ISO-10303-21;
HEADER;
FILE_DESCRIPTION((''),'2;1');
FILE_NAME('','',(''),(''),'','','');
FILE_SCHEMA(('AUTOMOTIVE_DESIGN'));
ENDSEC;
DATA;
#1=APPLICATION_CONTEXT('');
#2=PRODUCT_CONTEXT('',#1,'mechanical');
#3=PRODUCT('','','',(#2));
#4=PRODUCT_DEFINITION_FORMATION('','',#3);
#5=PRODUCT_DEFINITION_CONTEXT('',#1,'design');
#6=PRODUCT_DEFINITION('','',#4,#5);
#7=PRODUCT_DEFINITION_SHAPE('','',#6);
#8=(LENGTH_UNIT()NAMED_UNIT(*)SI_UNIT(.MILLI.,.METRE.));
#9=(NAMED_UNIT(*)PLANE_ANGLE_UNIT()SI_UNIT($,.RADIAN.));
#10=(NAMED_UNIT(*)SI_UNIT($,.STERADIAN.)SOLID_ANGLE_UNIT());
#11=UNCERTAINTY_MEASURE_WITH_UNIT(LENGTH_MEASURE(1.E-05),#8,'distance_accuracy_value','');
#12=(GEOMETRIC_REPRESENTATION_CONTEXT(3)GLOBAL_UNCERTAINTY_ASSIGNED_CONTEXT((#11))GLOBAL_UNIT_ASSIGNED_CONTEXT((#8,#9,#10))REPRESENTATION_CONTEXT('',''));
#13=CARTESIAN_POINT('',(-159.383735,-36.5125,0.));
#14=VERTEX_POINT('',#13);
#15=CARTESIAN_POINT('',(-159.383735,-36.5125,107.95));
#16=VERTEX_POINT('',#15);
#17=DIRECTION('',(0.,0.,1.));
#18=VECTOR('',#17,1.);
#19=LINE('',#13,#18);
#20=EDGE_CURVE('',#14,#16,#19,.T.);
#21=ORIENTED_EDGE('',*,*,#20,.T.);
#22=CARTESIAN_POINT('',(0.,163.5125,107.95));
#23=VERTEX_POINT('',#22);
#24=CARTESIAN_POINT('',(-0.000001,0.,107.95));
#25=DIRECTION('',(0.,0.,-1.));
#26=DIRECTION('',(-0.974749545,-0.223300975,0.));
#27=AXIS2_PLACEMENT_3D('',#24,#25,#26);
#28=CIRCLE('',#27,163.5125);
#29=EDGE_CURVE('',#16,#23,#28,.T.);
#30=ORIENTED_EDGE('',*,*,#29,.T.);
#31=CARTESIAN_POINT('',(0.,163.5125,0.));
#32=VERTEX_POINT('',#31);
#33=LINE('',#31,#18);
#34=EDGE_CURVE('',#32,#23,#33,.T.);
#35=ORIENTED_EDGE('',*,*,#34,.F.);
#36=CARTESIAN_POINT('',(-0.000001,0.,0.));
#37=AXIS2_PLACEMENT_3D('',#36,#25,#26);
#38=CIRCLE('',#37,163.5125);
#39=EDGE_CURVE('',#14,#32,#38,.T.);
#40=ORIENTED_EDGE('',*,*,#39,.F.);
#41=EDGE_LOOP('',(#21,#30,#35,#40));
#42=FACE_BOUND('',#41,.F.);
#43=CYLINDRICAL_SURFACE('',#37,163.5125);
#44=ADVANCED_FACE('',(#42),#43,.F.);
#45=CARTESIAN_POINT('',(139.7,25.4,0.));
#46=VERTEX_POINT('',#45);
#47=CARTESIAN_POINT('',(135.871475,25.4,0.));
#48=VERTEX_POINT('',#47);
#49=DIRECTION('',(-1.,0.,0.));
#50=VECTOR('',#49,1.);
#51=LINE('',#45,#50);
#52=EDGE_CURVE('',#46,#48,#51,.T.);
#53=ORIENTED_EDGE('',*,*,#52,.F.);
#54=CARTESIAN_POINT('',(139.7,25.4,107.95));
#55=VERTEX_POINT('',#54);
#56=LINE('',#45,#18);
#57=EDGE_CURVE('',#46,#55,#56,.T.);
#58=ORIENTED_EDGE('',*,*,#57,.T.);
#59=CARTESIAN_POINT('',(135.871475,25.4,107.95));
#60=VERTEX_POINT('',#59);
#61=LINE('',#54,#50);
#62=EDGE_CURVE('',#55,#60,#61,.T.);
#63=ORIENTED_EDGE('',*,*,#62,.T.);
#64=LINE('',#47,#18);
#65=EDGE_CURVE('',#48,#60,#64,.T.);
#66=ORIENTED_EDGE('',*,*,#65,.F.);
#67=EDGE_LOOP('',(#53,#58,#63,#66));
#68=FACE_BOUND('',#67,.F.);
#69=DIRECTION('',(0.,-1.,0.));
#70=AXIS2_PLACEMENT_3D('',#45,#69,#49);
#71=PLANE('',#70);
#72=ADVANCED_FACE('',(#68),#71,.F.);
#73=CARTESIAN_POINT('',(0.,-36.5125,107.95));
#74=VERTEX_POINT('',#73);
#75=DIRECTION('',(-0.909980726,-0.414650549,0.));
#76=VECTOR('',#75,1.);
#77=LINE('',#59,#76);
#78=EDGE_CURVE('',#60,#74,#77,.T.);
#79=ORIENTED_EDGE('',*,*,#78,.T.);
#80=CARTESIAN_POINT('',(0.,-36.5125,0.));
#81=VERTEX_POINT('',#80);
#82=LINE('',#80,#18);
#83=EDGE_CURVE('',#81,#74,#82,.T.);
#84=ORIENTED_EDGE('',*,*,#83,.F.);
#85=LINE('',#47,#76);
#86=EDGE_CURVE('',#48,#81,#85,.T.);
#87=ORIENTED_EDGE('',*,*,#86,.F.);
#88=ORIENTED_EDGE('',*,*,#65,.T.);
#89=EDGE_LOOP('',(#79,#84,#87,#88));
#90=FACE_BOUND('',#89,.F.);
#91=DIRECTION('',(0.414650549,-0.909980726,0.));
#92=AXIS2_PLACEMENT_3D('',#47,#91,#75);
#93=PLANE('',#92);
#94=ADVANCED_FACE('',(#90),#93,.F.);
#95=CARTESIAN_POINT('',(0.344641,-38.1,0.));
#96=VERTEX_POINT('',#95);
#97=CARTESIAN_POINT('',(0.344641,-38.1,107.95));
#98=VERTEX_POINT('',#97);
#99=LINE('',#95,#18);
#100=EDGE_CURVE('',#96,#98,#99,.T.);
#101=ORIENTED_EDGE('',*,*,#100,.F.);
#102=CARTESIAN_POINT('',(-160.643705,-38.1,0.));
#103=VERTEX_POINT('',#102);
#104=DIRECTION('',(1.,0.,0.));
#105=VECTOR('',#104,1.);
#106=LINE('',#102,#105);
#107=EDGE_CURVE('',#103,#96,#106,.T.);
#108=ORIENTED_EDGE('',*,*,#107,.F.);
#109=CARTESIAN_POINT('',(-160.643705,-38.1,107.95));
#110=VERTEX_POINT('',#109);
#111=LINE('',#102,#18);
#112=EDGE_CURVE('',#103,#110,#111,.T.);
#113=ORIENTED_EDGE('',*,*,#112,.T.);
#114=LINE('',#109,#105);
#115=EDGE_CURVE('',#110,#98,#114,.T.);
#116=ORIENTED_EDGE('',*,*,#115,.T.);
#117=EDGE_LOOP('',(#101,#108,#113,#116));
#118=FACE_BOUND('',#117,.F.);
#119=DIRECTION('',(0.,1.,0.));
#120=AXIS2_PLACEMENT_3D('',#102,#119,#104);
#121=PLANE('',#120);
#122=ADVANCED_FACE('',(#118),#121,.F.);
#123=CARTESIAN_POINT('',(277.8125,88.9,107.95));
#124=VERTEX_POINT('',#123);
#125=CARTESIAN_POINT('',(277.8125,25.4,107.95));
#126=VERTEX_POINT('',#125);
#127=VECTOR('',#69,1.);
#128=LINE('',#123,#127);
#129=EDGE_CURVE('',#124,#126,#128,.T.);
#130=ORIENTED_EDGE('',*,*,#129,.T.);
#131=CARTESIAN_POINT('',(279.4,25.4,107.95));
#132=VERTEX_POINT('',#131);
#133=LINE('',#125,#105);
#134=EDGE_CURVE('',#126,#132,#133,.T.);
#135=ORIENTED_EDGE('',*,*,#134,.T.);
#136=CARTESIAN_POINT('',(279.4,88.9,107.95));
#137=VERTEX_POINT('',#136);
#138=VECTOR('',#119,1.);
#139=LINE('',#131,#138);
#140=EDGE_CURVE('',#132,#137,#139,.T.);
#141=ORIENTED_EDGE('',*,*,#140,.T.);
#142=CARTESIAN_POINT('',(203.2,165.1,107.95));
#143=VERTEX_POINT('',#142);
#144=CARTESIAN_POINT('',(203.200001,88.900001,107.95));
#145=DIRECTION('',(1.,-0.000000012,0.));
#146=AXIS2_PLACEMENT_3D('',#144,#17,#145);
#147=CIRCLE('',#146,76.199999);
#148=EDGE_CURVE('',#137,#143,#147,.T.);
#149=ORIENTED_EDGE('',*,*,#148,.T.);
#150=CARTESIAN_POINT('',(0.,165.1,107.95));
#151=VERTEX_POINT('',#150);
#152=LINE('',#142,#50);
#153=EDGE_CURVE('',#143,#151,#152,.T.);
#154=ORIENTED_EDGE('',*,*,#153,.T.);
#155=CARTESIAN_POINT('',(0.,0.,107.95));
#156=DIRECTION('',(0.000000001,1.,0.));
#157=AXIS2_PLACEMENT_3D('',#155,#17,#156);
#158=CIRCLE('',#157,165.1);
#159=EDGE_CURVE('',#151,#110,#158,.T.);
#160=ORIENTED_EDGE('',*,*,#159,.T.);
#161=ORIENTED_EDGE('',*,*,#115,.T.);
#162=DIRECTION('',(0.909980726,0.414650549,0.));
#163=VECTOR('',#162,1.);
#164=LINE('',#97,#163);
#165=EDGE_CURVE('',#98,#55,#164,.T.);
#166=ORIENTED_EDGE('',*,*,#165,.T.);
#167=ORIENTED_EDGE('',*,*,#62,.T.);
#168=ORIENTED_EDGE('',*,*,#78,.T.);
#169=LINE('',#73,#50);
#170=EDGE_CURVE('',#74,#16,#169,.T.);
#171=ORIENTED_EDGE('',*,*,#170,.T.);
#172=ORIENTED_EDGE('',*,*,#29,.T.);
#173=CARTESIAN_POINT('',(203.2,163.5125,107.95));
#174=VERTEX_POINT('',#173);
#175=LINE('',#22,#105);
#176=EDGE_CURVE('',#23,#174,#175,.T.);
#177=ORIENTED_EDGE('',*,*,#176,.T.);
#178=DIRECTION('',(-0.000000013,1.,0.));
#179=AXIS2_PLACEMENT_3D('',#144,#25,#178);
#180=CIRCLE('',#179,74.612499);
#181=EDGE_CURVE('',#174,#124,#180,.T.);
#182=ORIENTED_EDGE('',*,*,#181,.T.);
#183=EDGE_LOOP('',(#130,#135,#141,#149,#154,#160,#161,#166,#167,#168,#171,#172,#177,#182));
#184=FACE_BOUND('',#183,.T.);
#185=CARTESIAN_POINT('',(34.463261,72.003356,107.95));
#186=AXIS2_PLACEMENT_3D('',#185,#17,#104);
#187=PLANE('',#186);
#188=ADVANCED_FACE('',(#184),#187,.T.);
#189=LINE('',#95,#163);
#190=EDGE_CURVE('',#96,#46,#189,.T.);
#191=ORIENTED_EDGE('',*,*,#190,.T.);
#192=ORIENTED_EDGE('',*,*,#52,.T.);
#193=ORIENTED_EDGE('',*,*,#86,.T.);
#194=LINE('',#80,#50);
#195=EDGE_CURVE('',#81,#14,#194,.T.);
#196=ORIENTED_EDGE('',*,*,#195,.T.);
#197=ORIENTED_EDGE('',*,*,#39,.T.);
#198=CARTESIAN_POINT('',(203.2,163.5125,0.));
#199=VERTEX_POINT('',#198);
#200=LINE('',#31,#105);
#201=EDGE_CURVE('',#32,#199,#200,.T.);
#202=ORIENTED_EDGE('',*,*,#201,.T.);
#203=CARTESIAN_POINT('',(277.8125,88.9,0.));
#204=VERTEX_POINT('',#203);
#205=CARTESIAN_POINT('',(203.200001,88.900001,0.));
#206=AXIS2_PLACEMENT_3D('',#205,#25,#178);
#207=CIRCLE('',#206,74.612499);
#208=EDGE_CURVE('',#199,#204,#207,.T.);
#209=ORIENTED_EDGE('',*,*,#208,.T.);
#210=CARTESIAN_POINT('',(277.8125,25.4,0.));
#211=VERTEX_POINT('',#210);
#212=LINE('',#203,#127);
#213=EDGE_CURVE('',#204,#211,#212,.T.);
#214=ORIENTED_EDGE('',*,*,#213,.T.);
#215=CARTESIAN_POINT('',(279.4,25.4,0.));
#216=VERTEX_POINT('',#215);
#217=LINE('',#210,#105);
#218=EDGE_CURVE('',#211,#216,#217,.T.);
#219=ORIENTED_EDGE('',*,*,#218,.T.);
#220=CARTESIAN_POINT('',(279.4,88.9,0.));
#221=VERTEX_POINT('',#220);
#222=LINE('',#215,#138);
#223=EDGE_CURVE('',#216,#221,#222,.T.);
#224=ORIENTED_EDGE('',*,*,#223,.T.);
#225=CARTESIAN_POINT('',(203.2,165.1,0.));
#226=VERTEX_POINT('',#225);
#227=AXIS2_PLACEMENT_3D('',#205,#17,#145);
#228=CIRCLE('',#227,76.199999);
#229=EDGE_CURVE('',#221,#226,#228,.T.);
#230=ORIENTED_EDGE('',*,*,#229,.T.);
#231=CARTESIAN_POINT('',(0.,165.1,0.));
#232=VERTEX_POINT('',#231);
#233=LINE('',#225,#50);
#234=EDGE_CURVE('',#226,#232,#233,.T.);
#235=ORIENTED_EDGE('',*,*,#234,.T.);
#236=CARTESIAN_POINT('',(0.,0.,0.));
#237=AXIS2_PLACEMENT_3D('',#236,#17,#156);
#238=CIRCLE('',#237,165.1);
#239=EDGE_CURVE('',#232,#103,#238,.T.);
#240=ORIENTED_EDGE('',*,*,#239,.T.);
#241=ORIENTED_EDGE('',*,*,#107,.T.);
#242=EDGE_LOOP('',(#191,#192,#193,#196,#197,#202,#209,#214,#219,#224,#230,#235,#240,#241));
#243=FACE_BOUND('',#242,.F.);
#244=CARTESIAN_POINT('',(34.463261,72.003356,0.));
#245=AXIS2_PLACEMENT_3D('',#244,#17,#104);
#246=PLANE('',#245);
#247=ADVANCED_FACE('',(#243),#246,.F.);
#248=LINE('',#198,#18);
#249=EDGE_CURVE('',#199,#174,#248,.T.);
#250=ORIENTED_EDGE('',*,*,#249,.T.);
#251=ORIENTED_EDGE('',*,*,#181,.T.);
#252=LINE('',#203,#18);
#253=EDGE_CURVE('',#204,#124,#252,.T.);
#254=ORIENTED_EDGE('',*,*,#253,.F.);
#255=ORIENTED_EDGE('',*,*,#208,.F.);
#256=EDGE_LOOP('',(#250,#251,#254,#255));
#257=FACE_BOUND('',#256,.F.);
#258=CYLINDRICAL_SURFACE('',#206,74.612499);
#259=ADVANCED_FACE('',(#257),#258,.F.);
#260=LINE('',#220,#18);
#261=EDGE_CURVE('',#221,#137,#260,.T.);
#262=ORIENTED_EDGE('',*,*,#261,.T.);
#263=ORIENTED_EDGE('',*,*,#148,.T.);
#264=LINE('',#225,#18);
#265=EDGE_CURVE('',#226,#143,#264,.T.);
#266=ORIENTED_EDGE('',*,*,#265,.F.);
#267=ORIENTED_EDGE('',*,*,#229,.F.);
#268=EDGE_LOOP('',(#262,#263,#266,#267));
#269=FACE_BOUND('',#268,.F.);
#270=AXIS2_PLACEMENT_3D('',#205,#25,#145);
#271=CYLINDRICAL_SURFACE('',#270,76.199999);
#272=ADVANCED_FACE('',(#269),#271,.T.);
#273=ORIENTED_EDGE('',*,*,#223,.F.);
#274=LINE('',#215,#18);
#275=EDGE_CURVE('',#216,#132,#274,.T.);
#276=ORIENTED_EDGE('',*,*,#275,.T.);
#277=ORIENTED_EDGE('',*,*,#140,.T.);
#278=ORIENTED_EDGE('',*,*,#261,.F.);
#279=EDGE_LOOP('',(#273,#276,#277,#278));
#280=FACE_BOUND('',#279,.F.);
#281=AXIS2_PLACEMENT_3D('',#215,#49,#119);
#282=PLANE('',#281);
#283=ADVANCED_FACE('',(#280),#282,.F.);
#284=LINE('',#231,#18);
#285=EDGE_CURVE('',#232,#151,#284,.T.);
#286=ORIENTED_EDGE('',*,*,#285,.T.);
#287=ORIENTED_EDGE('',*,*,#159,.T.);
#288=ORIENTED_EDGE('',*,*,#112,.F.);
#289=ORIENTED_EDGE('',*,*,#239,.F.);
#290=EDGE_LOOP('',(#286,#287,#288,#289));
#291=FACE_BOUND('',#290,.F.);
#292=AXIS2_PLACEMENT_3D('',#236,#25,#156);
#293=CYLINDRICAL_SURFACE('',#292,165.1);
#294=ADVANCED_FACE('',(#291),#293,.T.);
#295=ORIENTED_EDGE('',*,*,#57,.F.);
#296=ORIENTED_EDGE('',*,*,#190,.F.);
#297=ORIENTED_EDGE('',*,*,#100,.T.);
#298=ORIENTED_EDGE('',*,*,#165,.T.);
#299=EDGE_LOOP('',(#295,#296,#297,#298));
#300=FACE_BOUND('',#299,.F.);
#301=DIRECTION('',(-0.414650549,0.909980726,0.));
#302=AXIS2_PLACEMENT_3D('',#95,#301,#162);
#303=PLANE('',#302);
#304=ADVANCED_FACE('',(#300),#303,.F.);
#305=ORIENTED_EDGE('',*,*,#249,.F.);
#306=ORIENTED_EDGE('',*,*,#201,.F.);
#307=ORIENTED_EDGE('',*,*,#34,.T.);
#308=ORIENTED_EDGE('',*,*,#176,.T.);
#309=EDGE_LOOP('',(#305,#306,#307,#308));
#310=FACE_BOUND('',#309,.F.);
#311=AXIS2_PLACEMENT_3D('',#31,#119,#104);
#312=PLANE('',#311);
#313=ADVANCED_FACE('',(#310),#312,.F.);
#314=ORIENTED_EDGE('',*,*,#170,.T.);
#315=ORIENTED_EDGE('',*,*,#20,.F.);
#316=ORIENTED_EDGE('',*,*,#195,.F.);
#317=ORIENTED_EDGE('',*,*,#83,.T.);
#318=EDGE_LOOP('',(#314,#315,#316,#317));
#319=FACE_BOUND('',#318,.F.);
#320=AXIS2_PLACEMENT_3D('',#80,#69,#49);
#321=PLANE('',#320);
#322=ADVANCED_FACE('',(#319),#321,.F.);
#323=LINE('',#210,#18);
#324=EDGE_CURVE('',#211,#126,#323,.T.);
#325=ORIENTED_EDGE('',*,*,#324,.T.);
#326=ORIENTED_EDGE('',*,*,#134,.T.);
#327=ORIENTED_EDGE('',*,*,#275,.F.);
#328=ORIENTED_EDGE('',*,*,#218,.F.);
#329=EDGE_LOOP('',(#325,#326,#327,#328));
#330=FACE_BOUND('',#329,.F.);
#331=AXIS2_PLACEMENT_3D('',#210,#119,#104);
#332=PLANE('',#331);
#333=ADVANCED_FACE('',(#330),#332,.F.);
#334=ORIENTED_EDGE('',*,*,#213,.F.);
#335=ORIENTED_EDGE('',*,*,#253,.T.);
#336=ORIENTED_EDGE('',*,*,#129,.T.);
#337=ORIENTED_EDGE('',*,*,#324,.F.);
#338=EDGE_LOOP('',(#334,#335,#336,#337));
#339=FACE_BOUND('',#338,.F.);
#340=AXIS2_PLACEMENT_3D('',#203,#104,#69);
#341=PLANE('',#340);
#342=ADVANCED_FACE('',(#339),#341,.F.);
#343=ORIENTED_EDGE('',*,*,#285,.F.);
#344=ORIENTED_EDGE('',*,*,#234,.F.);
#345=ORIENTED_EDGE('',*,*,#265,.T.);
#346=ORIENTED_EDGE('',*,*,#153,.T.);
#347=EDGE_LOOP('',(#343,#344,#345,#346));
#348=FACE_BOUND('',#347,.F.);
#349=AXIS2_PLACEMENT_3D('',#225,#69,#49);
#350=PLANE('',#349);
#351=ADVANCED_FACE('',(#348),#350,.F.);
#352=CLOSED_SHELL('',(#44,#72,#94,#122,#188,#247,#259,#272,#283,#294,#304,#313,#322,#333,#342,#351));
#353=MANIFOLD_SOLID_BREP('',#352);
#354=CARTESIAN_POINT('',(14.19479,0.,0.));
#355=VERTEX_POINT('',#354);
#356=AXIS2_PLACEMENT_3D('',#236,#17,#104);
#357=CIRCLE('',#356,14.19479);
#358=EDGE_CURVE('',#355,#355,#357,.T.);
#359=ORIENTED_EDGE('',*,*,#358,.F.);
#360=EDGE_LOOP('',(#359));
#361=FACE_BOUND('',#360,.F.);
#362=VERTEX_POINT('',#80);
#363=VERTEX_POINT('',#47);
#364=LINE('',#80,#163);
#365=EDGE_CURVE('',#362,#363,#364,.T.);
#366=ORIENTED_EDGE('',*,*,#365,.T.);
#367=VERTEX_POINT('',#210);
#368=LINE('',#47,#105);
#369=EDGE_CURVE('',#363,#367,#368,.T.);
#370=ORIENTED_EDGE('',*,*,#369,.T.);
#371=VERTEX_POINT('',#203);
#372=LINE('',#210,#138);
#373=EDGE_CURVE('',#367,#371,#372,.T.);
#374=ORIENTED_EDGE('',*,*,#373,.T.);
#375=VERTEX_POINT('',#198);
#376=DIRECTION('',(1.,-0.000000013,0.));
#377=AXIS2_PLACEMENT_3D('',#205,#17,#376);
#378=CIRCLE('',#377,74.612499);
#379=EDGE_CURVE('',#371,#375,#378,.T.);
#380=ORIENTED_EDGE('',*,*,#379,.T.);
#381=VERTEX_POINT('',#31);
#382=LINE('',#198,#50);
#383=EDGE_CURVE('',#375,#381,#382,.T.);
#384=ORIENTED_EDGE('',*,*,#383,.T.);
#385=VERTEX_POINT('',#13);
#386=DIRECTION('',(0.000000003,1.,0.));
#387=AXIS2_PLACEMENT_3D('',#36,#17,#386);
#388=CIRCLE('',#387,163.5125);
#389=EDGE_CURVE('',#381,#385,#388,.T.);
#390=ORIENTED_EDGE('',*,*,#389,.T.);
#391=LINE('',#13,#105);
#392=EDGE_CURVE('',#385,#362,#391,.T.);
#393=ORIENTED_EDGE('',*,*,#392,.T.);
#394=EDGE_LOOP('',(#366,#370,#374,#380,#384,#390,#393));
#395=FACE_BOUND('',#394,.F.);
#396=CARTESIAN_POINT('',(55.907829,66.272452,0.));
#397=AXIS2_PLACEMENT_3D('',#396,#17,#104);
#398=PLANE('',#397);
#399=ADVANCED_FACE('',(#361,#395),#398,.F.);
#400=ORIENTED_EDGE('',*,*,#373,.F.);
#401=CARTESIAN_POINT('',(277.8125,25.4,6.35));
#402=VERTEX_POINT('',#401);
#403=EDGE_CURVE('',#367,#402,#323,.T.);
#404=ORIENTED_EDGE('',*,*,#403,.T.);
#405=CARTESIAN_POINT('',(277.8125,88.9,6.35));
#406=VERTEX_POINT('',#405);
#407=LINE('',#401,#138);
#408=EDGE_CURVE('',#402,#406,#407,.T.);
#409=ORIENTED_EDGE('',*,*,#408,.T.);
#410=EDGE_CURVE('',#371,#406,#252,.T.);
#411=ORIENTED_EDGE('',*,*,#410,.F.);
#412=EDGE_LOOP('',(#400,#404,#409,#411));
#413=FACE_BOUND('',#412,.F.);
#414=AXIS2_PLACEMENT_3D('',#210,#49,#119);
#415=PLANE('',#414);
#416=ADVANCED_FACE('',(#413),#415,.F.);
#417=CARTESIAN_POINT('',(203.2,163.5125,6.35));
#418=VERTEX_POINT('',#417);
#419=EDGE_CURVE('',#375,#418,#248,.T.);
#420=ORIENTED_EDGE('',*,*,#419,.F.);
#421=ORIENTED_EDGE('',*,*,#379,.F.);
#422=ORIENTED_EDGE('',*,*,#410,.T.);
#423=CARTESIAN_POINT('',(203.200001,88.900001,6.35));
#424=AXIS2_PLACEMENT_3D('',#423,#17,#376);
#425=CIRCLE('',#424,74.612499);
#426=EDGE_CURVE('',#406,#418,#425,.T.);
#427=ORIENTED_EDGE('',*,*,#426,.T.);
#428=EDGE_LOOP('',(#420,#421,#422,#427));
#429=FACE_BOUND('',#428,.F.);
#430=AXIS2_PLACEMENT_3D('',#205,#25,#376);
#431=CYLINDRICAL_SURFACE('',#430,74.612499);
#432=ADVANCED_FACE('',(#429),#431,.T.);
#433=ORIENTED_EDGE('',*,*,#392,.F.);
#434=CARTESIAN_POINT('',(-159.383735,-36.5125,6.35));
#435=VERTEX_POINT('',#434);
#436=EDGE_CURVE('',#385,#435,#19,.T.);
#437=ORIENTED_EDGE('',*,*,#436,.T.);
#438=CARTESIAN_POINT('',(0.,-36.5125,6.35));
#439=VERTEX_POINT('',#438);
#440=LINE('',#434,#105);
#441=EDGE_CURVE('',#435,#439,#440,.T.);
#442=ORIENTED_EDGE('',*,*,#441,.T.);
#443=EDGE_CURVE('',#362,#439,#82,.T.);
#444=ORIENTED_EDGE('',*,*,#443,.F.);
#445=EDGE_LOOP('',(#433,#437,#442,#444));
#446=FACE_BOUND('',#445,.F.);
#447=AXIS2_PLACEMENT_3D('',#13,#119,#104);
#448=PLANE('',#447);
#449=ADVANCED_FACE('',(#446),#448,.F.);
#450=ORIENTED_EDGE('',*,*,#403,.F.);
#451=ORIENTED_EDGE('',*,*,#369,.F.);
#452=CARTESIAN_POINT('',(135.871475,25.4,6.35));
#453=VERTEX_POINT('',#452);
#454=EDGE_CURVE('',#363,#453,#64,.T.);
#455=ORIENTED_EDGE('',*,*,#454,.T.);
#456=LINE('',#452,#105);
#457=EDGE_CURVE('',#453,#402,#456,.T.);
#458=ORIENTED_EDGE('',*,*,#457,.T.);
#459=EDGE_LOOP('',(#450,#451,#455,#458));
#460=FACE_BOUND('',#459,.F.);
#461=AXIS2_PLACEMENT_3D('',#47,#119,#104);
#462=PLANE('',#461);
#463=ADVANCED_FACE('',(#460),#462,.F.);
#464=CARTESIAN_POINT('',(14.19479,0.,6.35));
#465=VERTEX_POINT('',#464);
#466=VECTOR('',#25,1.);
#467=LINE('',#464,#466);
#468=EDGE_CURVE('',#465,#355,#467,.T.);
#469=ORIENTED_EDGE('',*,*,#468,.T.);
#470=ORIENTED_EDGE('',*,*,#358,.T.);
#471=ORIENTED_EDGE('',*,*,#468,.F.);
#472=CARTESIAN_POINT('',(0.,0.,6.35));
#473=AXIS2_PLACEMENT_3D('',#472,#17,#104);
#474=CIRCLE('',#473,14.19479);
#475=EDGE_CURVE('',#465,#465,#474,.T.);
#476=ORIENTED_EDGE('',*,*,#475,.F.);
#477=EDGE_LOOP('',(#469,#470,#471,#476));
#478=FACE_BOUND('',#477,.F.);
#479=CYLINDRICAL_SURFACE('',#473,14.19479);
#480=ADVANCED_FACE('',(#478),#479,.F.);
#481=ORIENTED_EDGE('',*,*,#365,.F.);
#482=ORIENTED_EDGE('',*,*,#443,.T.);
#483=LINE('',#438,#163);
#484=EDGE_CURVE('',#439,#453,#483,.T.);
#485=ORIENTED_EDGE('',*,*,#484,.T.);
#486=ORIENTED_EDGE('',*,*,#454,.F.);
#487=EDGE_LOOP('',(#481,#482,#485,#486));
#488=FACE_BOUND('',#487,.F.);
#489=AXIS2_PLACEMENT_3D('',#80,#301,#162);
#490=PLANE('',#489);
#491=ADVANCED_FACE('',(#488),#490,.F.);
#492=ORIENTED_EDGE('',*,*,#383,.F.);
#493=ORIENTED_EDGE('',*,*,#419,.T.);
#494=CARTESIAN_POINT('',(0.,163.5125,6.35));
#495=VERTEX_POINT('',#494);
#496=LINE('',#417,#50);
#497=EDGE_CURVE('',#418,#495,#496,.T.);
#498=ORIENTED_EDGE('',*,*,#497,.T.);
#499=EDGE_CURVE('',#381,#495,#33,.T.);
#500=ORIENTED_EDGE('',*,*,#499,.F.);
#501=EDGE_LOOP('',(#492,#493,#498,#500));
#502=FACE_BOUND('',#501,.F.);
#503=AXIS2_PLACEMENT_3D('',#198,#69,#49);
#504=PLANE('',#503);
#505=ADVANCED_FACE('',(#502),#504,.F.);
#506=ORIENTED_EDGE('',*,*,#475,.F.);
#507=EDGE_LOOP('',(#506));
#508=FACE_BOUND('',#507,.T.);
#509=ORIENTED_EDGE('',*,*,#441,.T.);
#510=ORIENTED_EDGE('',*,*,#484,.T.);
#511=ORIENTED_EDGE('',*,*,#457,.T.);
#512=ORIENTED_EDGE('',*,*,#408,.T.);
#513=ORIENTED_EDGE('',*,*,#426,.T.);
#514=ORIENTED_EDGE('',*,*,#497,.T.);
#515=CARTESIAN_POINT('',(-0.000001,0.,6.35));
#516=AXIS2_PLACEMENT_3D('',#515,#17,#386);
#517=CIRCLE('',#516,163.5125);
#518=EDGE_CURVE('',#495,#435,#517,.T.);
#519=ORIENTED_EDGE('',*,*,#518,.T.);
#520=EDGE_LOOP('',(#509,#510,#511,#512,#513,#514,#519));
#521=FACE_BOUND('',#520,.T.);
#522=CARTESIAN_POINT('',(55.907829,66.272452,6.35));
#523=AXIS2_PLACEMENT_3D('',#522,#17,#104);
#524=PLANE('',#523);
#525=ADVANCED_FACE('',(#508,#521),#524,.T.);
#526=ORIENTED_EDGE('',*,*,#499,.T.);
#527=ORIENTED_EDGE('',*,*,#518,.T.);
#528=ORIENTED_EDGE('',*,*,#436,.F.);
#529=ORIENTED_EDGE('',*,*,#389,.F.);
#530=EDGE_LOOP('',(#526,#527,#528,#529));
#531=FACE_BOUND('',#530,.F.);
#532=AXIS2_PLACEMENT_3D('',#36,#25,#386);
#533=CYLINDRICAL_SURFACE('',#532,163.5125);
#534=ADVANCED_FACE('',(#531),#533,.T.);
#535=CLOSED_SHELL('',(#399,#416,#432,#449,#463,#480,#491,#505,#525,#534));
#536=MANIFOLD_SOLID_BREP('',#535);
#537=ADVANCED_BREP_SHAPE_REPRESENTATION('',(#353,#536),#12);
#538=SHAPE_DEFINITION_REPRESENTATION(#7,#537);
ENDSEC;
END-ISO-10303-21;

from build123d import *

# Parameters (mm, degrees)
F1_DEPTH = 107.95
F2_DEPTH = 6.35
F3_R     = 14.19479
F4_DEPTH = 6.35


with BuildPart() as f1:
    # F0 (on Top) → F1 (new body)
    with BuildSketch(Plane.XY):
        with BuildLine():
            Line((203.2, 165.1), (0, 165.1))
            ThreePointArc((0, 165.1), (-129.515096, 102.390673), (-160.643705, -38.1))
            Line((-160.643705, -38.1), (0.344641, -38.1))
            Line((0.344641, -38.1), (139.7, 25.4))
            Line((139.7, 25.4), (135.871475, 25.4))
            Line((135.871475, 25.4), (0, -36.5125))
            Line((0, -36.5125), (-159.383735, -36.5125))
            ThreePointArc((-159.383735, -36.5125), (-127.879998, 101.897222), (0, 163.5125))
            Line((0, 163.5125), (203.2, 163.5125))
            ThreePointArc((203.2, 163.5125), (255.959005, 141.659005), (277.8125, 88.9))
            Line((277.8125, 88.9), (277.8125, 26.9875))
            Line((277.8125, 26.9875), (277.8125, 25.4))
            Line((277.8125, 25.4), (279.4, 25.4))
            Line((279.4, 25.4), (279.4, 88.9))
            ThreePointArc((279.4, 88.9), (257.081537, 142.781537), (203.2, 165.1))
        make_face()
    extrude(amount=F1_DEPTH)


with BuildPart() as f2:
    # F0 (on Top) → F2 (new body)
    with BuildSketch(Plane.XY):
        with BuildLine():
            Line((135.871475, 25.4), (139.7, 25.4))
            Line((139.7, 25.4), (277.8125, 25.4))
            Line((277.8125, 25.4), (277.8125, 26.9875))
            Line((277.8125, 26.9875), (277.8125, 88.9))
            ThreePointArc((277.8125, 88.9), (255.959005, 141.659005), (203.2, 163.5125))
            Line((203.2, 163.5125), (0, 163.5125))
            ThreePointArc((0, 163.5125), (-127.879998, 101.897222), (-159.383735, -36.5125))
            Line((-159.383735, -36.5125), (0, -36.5125))
            Line((0, -36.5125), (135.871475, 25.4))
        make_face()
    extrude(amount=F2_DEPTH)

    # F3 (on face) → F4 (cut)
    with BuildSketch(Plane.XY.offset(6.35)):
        Circle(F3_R)
    extrude(amount=-F4_DEPTH, mode=Mode.SUBTRACT)


solid = Compound([f1.part, f2.part])
